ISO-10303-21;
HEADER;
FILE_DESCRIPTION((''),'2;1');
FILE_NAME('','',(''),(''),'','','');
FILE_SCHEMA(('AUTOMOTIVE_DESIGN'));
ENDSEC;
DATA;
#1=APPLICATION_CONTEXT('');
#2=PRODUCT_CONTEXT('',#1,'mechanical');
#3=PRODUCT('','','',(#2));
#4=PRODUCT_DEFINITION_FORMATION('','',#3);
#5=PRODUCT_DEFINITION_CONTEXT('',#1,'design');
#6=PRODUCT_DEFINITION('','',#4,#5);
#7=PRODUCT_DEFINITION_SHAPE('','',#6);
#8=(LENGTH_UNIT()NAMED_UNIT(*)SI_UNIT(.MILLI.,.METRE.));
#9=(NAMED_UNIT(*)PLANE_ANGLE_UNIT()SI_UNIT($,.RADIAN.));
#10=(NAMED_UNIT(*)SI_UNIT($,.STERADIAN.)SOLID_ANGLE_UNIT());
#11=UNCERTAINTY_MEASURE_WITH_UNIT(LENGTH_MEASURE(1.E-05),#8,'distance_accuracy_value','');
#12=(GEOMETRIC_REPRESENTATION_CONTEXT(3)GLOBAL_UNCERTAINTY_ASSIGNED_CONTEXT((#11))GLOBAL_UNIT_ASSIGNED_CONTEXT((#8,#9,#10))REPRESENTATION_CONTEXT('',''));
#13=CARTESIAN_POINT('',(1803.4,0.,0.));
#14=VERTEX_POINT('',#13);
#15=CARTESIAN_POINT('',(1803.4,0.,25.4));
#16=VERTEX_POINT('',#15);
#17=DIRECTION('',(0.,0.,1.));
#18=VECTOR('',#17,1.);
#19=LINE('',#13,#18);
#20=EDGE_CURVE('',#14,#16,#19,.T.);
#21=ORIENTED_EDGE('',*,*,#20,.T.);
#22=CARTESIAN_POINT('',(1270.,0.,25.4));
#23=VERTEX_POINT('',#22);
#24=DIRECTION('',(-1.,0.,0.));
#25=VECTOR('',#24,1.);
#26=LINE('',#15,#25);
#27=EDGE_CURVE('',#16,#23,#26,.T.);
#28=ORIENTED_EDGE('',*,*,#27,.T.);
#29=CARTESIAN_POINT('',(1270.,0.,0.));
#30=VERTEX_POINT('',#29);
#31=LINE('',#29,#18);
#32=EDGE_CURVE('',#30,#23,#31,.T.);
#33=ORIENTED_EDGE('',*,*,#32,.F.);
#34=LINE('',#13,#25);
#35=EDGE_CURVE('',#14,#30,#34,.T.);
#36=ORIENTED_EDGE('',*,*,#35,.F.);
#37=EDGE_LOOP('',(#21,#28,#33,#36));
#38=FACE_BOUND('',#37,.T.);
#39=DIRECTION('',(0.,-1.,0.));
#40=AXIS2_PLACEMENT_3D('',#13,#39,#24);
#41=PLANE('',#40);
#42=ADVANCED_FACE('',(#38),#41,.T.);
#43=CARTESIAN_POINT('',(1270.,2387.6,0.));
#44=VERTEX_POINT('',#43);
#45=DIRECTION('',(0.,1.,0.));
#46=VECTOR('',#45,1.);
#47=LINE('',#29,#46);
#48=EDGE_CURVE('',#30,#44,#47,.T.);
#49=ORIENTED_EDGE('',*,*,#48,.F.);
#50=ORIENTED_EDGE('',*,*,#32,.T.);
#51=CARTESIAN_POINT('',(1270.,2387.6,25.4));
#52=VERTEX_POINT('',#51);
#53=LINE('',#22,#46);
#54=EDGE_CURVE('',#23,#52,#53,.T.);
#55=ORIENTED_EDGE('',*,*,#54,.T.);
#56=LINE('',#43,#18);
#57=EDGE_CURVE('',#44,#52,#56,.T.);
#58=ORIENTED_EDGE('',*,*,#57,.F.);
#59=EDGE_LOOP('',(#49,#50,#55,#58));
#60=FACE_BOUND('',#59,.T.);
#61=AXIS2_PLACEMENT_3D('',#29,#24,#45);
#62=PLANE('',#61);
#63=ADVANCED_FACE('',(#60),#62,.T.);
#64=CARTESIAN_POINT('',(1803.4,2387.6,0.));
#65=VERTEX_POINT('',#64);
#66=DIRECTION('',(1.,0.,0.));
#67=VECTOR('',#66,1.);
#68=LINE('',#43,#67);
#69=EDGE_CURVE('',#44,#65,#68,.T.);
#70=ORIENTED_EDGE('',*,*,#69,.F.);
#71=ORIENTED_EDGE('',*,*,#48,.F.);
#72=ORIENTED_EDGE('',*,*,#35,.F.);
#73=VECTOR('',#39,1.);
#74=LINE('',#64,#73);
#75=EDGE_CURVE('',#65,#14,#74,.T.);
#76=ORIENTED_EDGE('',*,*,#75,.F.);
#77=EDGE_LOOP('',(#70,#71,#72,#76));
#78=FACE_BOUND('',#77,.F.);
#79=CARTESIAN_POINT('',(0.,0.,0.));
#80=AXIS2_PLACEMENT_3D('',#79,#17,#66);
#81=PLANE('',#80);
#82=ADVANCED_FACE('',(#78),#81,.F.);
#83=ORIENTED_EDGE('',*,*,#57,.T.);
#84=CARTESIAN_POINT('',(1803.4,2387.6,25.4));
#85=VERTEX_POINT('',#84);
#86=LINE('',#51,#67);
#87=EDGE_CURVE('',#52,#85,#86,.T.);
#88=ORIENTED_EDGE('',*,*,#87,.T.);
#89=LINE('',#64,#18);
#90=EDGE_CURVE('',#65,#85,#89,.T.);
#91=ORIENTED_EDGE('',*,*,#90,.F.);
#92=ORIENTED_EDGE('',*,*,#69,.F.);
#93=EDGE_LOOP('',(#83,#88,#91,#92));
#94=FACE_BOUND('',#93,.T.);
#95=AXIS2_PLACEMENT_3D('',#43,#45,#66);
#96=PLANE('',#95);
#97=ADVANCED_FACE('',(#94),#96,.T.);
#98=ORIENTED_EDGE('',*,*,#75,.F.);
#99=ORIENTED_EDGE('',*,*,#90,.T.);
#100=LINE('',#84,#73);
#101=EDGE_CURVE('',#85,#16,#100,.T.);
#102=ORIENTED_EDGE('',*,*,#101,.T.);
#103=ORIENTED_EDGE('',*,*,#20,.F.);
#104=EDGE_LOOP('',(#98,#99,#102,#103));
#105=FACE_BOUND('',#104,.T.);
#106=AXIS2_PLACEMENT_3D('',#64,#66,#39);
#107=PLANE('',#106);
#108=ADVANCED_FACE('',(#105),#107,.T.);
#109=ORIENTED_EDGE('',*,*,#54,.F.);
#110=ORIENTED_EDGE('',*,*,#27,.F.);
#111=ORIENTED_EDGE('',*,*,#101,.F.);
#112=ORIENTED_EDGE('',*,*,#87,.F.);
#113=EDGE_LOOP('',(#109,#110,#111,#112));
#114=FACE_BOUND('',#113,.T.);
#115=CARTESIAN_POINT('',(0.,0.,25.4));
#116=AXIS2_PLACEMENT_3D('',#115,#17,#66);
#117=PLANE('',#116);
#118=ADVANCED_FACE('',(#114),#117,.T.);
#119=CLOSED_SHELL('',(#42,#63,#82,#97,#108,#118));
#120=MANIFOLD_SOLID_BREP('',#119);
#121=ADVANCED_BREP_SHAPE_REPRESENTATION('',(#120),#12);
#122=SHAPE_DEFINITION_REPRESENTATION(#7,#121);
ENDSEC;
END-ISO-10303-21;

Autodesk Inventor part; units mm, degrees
ref_plane "YZ Plane" through (0, 0, 0) normal (1, 0, 0) x (0, 1, 0)
ref_plane "XZ Plane" through (0, 0, 0) normal (0, 1, 0) x (-1, 0, 0)
ref_plane "XY Plane" through (0, 0, 0) normal (0, 0, 1) x (1, 0, 0)
ref_plane "Work Plane1" through (0, 0, 0) normal (0, 0, 1) x (1, 0, 0)
sketch "Sketch1" plane through (0, 0, 0) normal (0, 0, 1) x (1, 0, 0)
  line L0 (1803.4, 2387.6) -> (1803.4, 0) projected
  line L1 (1803.4, 0) -> (1270, 0)
  line L2 (1270, 0) -> (1270, 2387.6)
  line L3 (1270, 2387.6) -> (1803.4, 2387.6)
  point P0 (0, 0)
  dimension "d0" = 533.4
  dimension "d1" = 2387.6
extrude "Extrusion1" add sketch "Sketch1" along normal blind 25.4
properties part number "RIGHT B THE DOOR"
